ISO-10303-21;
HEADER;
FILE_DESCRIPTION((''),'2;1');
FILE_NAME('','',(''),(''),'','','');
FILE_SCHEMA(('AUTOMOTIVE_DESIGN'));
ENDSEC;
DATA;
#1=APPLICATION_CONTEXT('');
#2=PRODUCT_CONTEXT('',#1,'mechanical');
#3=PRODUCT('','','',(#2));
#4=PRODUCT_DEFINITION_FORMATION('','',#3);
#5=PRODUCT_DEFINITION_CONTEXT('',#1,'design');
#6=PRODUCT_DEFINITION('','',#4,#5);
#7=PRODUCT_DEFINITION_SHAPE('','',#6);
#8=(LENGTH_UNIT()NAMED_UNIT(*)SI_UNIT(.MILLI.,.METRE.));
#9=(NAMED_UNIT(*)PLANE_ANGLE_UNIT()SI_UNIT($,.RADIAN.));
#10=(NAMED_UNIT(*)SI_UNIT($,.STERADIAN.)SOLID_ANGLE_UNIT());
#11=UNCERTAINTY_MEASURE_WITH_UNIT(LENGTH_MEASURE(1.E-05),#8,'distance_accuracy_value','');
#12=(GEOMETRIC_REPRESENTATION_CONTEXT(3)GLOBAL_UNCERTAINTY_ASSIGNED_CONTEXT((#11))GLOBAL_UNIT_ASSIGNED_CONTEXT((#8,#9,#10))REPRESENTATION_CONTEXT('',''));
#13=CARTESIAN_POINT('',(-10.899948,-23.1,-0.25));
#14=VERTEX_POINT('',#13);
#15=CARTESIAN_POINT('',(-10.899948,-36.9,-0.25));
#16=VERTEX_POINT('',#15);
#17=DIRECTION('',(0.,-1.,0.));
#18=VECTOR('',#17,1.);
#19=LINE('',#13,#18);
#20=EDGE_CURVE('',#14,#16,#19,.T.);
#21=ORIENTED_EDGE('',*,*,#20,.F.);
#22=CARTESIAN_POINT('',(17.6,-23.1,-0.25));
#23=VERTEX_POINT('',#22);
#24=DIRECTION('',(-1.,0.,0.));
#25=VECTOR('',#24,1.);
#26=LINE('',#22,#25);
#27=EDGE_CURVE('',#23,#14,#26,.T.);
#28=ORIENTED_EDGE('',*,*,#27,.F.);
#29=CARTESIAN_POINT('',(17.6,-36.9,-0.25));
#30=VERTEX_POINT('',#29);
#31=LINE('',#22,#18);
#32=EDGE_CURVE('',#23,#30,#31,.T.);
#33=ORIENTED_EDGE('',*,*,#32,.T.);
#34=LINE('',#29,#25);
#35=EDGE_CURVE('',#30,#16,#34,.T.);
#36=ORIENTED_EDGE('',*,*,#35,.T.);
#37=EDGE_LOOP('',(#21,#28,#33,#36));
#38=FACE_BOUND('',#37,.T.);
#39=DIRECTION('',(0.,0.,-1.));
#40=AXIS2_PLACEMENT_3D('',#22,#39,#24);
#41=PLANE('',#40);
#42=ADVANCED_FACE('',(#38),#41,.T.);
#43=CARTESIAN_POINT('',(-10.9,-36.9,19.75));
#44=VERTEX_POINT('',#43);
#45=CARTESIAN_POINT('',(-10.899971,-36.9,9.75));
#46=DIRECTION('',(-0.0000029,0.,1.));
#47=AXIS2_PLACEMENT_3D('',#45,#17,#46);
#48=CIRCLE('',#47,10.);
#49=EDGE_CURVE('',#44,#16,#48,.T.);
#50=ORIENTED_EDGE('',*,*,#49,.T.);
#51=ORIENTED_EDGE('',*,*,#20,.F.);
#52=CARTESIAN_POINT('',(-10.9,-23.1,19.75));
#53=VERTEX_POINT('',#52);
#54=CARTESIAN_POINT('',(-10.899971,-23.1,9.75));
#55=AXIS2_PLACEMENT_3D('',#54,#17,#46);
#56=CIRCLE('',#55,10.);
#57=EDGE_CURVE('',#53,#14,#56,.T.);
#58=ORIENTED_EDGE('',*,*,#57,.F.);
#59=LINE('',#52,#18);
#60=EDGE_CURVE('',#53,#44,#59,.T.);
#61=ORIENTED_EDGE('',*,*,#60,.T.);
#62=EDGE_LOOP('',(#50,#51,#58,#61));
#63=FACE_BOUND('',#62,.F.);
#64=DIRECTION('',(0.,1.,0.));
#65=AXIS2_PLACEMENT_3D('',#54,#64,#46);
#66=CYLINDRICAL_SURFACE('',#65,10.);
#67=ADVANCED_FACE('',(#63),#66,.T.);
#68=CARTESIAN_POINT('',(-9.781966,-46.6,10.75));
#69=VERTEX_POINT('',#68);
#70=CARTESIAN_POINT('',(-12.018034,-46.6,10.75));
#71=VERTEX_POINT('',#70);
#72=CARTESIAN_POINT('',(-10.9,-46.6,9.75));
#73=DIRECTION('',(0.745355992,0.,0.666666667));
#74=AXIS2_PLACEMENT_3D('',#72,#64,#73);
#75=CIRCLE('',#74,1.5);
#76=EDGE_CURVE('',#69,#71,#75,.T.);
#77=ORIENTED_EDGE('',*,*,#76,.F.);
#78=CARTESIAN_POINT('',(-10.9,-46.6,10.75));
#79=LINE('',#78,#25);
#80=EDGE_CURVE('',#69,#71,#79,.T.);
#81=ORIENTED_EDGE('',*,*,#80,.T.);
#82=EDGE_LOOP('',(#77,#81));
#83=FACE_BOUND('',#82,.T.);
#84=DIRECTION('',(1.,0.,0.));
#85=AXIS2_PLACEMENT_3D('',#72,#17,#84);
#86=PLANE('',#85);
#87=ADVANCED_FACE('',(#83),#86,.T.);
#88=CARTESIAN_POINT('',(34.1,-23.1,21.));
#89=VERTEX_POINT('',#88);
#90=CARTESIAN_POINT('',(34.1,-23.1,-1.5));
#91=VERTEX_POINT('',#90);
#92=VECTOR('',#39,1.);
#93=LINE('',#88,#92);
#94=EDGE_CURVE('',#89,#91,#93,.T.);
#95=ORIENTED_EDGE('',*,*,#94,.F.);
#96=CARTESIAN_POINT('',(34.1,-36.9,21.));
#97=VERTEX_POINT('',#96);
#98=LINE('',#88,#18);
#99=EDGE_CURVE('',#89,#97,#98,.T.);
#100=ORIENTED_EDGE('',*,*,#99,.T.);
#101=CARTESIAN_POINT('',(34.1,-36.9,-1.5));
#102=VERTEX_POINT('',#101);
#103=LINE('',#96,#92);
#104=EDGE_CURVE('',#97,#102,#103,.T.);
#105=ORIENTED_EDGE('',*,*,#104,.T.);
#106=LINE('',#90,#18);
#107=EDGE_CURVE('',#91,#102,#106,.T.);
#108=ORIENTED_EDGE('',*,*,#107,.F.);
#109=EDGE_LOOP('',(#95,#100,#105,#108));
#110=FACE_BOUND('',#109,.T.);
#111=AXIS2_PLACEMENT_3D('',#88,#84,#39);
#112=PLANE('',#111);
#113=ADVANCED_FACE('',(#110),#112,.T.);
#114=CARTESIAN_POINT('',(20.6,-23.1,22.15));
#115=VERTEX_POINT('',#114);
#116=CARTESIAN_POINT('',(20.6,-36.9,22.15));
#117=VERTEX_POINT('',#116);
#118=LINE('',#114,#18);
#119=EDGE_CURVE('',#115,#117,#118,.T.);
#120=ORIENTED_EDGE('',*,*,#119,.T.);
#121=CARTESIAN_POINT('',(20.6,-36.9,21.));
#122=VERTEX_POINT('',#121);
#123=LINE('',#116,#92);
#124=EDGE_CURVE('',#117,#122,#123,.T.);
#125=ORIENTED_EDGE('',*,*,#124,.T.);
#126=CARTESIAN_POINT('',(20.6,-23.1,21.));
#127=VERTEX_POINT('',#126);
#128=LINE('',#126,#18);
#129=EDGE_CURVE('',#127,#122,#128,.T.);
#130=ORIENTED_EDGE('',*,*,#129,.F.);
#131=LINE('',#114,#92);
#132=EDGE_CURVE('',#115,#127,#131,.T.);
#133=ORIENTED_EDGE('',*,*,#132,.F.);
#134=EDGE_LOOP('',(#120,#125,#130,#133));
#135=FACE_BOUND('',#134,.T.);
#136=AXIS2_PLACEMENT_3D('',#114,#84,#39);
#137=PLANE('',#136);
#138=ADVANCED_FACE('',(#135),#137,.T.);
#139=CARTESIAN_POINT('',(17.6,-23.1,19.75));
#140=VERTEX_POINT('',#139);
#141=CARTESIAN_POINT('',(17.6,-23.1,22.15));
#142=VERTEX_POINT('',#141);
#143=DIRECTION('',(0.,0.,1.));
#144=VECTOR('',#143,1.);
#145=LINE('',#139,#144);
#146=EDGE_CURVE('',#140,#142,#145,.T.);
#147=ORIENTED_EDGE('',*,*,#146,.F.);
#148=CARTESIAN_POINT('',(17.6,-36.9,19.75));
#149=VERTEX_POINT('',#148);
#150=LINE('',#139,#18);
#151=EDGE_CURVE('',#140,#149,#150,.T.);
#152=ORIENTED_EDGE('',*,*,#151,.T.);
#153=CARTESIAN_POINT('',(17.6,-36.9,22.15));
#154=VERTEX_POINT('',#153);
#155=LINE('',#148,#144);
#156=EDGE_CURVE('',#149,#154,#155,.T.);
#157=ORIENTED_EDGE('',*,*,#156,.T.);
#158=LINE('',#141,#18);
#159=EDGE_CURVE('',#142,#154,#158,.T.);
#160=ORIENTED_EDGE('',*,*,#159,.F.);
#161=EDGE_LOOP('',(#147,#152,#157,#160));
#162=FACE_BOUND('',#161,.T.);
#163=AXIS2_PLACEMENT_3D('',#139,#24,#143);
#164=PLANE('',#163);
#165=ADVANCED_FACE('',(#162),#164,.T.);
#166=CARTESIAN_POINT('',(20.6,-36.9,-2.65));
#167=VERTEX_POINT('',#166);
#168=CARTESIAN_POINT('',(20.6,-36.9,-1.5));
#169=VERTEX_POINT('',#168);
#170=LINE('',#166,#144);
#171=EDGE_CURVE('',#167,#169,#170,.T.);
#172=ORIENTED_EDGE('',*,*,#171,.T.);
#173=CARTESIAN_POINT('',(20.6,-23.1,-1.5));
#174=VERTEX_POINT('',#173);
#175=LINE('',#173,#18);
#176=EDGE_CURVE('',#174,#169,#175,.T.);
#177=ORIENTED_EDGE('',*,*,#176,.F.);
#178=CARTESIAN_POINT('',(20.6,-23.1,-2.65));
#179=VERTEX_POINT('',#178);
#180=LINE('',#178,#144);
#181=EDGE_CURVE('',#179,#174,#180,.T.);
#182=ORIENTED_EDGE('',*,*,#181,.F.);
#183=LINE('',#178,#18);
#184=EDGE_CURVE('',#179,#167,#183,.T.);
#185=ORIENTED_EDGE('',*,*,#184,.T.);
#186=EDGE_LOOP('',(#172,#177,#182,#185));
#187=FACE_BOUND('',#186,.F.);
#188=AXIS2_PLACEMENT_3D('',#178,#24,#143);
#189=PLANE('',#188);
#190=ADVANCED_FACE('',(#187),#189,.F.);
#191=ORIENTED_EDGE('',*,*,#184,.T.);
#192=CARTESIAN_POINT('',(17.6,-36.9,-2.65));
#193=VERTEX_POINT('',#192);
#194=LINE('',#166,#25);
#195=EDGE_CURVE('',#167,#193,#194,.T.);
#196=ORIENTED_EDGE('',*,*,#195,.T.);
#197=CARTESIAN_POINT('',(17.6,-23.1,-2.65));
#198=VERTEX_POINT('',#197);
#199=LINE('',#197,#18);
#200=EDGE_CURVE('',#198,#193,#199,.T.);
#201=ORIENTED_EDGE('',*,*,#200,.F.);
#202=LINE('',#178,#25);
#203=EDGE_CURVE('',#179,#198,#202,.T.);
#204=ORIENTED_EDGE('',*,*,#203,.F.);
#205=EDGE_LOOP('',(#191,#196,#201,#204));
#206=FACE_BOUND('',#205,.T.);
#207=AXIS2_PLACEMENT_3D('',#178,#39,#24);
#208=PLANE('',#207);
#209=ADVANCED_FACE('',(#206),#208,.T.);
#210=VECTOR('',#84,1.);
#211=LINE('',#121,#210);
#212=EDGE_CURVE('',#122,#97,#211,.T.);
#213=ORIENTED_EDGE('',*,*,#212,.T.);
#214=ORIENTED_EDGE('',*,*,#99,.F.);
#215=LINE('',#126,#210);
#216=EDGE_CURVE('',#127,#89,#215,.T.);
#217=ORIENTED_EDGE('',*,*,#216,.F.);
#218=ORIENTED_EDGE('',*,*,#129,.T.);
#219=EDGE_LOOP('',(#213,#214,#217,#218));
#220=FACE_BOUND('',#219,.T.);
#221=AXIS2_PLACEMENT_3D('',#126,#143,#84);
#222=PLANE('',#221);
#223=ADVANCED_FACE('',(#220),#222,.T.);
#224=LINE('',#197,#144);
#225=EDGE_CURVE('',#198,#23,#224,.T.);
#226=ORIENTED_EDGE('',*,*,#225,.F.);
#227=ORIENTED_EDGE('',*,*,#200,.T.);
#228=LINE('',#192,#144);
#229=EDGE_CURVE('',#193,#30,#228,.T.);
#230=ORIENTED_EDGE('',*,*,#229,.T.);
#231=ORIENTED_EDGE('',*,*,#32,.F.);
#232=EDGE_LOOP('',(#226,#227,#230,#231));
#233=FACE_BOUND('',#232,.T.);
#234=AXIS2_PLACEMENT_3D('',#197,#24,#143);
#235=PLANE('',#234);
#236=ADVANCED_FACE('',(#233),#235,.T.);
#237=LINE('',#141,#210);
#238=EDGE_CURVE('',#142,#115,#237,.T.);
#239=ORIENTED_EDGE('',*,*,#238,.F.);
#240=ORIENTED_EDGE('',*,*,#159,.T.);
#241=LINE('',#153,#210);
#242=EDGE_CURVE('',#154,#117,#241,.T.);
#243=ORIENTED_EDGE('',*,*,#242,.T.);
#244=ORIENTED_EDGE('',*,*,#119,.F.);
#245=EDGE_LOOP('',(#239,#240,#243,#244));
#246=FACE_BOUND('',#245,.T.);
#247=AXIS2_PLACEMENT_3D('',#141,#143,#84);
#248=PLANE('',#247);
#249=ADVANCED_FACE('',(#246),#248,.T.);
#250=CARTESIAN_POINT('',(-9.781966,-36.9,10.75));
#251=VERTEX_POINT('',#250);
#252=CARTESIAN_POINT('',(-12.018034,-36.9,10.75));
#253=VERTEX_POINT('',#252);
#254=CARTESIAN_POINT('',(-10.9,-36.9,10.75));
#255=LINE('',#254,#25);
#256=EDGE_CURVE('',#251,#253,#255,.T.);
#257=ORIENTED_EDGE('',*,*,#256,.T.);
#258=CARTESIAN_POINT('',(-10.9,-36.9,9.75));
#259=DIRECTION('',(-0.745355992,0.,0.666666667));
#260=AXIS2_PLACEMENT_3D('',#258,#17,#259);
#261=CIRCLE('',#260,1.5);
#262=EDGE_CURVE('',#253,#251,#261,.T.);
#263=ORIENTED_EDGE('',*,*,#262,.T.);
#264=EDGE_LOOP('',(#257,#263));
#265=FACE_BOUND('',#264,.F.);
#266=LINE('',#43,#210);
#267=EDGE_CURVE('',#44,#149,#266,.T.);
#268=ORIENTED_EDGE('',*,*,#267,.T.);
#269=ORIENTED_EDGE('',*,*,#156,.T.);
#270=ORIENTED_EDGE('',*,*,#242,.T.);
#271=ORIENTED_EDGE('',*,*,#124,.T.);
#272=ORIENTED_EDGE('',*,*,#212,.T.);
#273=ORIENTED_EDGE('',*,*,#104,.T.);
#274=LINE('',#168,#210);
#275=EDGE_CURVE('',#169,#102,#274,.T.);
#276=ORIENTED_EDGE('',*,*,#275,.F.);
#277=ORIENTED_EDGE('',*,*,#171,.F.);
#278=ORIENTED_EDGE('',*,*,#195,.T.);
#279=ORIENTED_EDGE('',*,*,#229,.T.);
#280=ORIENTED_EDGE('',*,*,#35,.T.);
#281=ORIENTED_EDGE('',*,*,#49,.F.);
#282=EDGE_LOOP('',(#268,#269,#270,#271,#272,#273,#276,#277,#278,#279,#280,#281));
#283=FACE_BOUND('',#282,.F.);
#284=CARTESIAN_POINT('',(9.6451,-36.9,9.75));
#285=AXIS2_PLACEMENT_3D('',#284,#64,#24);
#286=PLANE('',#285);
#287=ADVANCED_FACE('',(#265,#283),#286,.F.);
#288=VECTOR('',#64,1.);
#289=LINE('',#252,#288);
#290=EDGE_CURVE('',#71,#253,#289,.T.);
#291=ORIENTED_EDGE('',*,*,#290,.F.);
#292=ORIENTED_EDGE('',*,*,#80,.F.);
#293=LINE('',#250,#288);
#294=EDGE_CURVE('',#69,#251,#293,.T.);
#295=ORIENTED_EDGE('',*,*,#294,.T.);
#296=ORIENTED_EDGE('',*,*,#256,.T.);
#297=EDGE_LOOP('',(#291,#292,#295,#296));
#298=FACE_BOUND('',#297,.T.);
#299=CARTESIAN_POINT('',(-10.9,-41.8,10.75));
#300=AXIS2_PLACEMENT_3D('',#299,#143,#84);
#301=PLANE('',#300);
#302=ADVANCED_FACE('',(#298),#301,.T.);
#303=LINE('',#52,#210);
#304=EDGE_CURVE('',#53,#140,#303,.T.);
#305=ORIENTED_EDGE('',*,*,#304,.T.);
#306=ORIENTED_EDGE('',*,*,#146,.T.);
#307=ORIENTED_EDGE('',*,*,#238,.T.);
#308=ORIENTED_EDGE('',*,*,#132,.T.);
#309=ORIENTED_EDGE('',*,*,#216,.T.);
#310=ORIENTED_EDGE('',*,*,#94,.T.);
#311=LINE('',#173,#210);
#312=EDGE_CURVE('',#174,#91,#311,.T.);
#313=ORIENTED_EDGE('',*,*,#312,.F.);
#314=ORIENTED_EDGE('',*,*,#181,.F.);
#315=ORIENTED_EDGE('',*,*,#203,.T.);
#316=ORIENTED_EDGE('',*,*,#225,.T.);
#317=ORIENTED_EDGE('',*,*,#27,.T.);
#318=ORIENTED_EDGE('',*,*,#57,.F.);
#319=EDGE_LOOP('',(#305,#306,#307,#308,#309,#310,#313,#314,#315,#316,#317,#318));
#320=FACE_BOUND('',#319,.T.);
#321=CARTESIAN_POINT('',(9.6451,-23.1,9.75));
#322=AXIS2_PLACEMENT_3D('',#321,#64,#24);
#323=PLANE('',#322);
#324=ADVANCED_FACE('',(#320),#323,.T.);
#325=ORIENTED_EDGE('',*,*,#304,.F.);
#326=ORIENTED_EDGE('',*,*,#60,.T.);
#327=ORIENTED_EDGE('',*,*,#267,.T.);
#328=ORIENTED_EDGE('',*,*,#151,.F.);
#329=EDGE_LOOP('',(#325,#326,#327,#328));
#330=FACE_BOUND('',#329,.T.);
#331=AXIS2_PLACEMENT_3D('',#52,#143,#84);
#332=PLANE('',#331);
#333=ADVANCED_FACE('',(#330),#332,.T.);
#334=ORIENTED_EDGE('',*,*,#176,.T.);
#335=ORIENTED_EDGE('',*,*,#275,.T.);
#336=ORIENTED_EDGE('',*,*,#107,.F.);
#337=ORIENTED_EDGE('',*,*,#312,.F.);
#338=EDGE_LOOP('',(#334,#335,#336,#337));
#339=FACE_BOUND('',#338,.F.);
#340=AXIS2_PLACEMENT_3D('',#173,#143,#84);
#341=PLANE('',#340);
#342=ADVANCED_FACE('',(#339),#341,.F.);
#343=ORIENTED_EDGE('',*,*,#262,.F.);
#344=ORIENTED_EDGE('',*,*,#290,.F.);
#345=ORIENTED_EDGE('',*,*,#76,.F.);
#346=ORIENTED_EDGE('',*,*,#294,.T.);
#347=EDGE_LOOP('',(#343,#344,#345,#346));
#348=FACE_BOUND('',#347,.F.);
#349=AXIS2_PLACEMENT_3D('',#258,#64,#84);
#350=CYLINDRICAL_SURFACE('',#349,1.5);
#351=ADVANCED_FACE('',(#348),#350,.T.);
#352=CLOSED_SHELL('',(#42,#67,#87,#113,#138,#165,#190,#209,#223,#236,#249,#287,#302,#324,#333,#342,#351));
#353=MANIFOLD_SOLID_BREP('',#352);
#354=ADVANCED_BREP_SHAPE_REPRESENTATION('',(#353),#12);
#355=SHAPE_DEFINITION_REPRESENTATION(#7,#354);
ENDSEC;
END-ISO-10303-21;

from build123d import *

# Parameters (mm, degrees)
PAD_DEPTH              = 13.8
BOX002_W               = 3
BOX002_H               = 10
BOX002_DEPTH           = 3
CYLINDER001_R          = 1.5
CYLINDER001_DEPTH      = 9.7
CYLINDER001_ROLL_ANGLE = 90


with BuildPart() as motorbody:
    # Sketch → Pad (new body)
    with BuildSketch(Plane.XZ):
        with BuildLine():
            Line((-45, 21.25), (-16.5, 21.25))
            Line((-16.5, 21.25), (-16.5, 23.65))
            Line((-16.5, 23.65), (-13.5, 23.65))
            Line((-13.5, 23.65), (-13.5, 22.5))
            Line((-13.5, 22.5), (0, 22.5))
            Line((0, 22.5), (0, 0))
            Line((-13.5, 0), (0, 0))
            Line((-13.5, -1.15), (-13.5, 0))
            Line((-13.5, -1.15), (-16.5, -1.15))
            Line((-16.5, -1.15), (-16.5, 1.25))
            Line((-16.5, 1.25), (-44.999948, 1.25))
            ThreePointArc((-45, 21.25), (-54.999971, 11.249974), (-44.999948, 1.25))
        make_face()
    extrude(amount=PAD_DEPTH)


with BuildPart() as cube001:
    # Box002 → Box002 (new body)
    with BuildSketch(Plane(origin=(-46.5, -23.7, 12.25), x_dir=(1, 0, 0), z_dir=(0, 0, 1))):
        with Locations((1.5, 5)):
            Rectangle(BOX002_W, BOX002_H)
    extrude(amount=BOX002_DEPTH)


with BuildPart() as motor:
    # Cylinder001 → Cylinder001 (new body)
    with BuildSketch(Plane.XY):
        Circle(CYLINDER001_R)
    extrude(amount=CYLINDER001_DEPTH)


with BuildPart() as motor_1:
    # Cylinder001 roll: moved
    add(motor.part.rotate(Axis((0, 0, 0), (1, 0, 0)), CYLINDER001_ROLL_ANGLE))


with BuildPart() as motor_2:
    # Cylinder001 placement: moved
    add(motor_1.part.moved(Location((-45, -13.8, 11.25))))

    # Cut: cut Cube001
    add(cube001.part, mode=Mode.SUBTRACT)

    # Fusion001: union motorBody
    add(motorbody.part)


with BuildPart() as motor_3:
    # Fusion001 placement: moved
    add(motor_2.part.moved(Location((34.1, -23.1, -1.5))))


solid = motor_3.part
